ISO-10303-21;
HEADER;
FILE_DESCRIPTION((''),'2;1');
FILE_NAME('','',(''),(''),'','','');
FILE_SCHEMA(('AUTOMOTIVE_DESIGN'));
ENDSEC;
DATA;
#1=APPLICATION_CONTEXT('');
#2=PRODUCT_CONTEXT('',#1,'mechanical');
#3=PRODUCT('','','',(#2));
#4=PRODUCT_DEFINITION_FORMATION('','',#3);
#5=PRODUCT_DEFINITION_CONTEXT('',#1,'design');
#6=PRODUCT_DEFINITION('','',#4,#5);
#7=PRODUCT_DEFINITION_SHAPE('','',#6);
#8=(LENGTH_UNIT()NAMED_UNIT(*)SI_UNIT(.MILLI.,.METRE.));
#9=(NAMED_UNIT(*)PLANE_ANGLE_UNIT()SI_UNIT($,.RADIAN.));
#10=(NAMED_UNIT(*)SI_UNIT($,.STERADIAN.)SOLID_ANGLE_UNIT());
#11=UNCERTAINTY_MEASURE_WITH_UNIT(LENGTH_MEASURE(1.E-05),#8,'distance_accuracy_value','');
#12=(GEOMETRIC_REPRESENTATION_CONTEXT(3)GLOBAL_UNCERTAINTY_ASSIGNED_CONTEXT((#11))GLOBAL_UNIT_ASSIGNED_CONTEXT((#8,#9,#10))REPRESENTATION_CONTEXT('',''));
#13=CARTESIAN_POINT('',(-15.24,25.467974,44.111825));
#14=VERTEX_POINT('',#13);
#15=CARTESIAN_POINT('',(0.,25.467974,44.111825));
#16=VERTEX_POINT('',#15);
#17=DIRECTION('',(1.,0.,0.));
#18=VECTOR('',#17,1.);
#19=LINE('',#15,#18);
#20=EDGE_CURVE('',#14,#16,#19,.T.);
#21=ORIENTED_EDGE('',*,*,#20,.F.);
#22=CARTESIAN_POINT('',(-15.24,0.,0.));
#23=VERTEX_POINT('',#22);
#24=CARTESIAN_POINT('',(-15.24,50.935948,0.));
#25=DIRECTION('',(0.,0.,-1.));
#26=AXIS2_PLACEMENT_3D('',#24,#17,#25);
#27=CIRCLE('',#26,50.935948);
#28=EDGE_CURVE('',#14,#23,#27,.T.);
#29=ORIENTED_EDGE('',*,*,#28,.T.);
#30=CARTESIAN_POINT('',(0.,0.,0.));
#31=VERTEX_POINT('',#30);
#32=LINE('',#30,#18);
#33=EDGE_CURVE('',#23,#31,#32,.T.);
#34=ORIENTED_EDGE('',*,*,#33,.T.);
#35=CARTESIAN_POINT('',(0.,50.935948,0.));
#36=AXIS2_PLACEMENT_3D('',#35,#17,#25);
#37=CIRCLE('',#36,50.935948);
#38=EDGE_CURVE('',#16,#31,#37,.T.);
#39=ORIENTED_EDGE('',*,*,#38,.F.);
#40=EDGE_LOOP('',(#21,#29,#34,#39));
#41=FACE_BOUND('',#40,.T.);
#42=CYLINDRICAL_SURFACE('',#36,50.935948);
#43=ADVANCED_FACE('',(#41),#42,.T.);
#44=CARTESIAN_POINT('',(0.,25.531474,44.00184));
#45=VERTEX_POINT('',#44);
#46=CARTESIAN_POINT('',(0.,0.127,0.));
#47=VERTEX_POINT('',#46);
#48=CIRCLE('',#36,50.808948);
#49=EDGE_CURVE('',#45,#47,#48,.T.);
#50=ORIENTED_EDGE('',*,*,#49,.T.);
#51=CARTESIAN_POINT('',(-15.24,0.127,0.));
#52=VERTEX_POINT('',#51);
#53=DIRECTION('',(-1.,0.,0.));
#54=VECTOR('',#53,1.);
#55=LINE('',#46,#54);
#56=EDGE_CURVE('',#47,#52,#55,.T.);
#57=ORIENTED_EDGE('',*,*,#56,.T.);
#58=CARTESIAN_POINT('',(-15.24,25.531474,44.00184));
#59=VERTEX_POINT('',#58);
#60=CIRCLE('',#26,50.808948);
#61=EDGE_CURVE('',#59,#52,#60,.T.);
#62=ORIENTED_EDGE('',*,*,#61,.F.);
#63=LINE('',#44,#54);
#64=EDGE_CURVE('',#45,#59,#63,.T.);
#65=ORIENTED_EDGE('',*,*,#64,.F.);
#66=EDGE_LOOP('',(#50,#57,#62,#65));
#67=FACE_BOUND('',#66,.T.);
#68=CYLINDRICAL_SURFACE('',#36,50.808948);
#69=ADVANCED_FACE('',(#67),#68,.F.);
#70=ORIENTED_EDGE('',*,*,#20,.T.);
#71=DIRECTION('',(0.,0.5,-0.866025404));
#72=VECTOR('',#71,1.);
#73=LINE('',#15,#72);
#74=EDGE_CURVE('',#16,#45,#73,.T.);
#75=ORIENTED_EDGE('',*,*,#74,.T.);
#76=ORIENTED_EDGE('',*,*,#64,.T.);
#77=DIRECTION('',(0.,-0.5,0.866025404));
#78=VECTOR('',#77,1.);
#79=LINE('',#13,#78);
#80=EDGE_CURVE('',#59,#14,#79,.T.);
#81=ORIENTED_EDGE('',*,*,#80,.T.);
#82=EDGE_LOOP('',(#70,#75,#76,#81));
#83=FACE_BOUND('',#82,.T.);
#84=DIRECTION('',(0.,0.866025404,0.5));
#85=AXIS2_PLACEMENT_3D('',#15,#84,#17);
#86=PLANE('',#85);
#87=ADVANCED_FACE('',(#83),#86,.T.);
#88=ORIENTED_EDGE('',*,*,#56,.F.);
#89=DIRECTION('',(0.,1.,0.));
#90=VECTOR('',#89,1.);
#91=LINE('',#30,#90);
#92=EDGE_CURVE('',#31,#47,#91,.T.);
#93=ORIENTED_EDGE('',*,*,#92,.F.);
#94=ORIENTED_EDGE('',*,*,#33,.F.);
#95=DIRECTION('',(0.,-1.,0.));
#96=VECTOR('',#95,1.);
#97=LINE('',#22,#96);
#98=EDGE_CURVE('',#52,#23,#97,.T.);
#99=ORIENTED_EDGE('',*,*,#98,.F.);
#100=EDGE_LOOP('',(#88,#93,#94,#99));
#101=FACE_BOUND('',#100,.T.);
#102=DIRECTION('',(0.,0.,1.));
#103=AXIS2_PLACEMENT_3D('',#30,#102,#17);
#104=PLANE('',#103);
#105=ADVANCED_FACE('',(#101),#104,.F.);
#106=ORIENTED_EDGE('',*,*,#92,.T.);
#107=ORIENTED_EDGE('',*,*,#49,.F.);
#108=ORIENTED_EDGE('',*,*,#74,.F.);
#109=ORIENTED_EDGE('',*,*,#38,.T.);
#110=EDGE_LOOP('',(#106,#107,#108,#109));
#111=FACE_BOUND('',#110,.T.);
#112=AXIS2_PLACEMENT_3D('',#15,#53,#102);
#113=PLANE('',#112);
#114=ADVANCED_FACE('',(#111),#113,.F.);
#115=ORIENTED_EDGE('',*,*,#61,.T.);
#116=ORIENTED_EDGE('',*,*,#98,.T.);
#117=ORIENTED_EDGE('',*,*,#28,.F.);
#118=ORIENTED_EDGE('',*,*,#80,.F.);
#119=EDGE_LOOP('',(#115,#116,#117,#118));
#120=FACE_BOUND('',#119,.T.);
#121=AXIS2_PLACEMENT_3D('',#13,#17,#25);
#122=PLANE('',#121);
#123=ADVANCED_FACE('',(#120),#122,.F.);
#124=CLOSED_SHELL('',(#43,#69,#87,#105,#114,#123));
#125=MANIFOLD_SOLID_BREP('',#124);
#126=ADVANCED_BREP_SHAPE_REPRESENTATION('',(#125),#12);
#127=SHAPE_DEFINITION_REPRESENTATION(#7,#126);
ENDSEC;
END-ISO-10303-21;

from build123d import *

# Parameters (mm, degrees)
SKETCH1_W      = 15.24
SKETCH1_H      = 0.127
REVOLVE1_ANGLE = 60


with BuildPart() as part:
    # Sketch1 → Revolve1 (revolve)
    with BuildSketch(Plane.XY):
        with Locations((-7.62, 0.0635)):
            Rectangle(SKETCH1_W, SKETCH1_H)
    revolve(axis=Axis((0, 50.935947988, 0), (-1, 0, 0)), revolution_arc=REVOLVE1_ANGLE)


solid = part.part
